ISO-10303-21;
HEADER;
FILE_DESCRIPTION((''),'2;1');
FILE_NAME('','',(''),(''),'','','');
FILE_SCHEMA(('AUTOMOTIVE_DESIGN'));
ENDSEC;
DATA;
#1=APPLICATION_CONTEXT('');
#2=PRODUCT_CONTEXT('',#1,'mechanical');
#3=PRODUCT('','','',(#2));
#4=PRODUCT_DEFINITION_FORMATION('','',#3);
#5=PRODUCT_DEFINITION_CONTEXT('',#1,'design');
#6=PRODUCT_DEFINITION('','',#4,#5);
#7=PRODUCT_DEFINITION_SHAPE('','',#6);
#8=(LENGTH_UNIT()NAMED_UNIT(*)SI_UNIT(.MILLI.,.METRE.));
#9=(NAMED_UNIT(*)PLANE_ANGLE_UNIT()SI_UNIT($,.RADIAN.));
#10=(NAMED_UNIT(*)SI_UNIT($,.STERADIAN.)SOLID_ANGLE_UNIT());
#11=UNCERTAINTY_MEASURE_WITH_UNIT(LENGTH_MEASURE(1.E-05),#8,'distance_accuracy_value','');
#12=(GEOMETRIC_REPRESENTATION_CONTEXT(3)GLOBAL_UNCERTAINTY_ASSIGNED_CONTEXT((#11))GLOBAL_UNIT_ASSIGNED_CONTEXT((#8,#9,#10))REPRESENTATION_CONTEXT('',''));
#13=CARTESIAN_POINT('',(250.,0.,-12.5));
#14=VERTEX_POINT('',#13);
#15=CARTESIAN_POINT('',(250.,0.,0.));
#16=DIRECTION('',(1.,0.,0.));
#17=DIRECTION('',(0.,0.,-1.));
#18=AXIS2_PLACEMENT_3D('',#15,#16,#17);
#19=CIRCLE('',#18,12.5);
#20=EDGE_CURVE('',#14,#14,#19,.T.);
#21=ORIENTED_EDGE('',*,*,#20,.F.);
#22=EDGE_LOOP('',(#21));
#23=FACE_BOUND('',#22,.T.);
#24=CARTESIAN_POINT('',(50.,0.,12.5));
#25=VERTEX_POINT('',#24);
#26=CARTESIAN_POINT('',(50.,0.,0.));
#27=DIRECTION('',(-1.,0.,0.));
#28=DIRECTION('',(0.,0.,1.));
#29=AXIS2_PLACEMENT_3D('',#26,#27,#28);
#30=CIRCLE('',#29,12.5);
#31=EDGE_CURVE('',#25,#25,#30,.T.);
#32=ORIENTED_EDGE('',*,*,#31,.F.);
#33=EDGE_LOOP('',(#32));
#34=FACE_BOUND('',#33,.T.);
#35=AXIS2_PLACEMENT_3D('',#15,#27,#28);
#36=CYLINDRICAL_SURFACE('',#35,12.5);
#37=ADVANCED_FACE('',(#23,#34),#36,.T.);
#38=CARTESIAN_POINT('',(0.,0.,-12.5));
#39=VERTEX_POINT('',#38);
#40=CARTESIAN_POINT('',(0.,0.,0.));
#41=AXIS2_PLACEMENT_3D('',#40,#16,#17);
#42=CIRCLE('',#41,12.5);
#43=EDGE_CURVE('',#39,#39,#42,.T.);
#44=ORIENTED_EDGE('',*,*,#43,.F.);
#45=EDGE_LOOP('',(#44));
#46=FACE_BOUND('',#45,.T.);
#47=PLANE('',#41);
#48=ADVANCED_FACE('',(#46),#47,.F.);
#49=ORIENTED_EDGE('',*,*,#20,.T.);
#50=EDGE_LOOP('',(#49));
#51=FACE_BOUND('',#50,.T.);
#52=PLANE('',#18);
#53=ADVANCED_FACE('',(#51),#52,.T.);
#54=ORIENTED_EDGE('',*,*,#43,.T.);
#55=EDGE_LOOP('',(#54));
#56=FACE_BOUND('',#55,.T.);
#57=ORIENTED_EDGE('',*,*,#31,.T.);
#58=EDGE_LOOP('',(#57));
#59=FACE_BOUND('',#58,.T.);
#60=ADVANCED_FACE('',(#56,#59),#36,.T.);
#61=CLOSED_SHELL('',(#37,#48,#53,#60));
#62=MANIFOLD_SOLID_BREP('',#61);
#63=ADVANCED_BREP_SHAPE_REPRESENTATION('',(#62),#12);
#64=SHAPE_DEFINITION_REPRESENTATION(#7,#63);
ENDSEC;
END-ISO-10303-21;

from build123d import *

# Parameters (mm, degrees)
SKETCH1_R           = 12.5
BOSS_EXTRUDE1_DEPTH = 250


with BuildPart() as part:
    # Sketch1 → Boss-Extrude1 (new body)
    with BuildSketch(Plane(origin=(0, 0, 0), x_dir=(0, 0, -1), z_dir=(1, 0, 0))):
        Circle(SKETCH1_R)
    extrude(amount=BOSS_EXTRUDE1_DEPTH)


solid = part.part
